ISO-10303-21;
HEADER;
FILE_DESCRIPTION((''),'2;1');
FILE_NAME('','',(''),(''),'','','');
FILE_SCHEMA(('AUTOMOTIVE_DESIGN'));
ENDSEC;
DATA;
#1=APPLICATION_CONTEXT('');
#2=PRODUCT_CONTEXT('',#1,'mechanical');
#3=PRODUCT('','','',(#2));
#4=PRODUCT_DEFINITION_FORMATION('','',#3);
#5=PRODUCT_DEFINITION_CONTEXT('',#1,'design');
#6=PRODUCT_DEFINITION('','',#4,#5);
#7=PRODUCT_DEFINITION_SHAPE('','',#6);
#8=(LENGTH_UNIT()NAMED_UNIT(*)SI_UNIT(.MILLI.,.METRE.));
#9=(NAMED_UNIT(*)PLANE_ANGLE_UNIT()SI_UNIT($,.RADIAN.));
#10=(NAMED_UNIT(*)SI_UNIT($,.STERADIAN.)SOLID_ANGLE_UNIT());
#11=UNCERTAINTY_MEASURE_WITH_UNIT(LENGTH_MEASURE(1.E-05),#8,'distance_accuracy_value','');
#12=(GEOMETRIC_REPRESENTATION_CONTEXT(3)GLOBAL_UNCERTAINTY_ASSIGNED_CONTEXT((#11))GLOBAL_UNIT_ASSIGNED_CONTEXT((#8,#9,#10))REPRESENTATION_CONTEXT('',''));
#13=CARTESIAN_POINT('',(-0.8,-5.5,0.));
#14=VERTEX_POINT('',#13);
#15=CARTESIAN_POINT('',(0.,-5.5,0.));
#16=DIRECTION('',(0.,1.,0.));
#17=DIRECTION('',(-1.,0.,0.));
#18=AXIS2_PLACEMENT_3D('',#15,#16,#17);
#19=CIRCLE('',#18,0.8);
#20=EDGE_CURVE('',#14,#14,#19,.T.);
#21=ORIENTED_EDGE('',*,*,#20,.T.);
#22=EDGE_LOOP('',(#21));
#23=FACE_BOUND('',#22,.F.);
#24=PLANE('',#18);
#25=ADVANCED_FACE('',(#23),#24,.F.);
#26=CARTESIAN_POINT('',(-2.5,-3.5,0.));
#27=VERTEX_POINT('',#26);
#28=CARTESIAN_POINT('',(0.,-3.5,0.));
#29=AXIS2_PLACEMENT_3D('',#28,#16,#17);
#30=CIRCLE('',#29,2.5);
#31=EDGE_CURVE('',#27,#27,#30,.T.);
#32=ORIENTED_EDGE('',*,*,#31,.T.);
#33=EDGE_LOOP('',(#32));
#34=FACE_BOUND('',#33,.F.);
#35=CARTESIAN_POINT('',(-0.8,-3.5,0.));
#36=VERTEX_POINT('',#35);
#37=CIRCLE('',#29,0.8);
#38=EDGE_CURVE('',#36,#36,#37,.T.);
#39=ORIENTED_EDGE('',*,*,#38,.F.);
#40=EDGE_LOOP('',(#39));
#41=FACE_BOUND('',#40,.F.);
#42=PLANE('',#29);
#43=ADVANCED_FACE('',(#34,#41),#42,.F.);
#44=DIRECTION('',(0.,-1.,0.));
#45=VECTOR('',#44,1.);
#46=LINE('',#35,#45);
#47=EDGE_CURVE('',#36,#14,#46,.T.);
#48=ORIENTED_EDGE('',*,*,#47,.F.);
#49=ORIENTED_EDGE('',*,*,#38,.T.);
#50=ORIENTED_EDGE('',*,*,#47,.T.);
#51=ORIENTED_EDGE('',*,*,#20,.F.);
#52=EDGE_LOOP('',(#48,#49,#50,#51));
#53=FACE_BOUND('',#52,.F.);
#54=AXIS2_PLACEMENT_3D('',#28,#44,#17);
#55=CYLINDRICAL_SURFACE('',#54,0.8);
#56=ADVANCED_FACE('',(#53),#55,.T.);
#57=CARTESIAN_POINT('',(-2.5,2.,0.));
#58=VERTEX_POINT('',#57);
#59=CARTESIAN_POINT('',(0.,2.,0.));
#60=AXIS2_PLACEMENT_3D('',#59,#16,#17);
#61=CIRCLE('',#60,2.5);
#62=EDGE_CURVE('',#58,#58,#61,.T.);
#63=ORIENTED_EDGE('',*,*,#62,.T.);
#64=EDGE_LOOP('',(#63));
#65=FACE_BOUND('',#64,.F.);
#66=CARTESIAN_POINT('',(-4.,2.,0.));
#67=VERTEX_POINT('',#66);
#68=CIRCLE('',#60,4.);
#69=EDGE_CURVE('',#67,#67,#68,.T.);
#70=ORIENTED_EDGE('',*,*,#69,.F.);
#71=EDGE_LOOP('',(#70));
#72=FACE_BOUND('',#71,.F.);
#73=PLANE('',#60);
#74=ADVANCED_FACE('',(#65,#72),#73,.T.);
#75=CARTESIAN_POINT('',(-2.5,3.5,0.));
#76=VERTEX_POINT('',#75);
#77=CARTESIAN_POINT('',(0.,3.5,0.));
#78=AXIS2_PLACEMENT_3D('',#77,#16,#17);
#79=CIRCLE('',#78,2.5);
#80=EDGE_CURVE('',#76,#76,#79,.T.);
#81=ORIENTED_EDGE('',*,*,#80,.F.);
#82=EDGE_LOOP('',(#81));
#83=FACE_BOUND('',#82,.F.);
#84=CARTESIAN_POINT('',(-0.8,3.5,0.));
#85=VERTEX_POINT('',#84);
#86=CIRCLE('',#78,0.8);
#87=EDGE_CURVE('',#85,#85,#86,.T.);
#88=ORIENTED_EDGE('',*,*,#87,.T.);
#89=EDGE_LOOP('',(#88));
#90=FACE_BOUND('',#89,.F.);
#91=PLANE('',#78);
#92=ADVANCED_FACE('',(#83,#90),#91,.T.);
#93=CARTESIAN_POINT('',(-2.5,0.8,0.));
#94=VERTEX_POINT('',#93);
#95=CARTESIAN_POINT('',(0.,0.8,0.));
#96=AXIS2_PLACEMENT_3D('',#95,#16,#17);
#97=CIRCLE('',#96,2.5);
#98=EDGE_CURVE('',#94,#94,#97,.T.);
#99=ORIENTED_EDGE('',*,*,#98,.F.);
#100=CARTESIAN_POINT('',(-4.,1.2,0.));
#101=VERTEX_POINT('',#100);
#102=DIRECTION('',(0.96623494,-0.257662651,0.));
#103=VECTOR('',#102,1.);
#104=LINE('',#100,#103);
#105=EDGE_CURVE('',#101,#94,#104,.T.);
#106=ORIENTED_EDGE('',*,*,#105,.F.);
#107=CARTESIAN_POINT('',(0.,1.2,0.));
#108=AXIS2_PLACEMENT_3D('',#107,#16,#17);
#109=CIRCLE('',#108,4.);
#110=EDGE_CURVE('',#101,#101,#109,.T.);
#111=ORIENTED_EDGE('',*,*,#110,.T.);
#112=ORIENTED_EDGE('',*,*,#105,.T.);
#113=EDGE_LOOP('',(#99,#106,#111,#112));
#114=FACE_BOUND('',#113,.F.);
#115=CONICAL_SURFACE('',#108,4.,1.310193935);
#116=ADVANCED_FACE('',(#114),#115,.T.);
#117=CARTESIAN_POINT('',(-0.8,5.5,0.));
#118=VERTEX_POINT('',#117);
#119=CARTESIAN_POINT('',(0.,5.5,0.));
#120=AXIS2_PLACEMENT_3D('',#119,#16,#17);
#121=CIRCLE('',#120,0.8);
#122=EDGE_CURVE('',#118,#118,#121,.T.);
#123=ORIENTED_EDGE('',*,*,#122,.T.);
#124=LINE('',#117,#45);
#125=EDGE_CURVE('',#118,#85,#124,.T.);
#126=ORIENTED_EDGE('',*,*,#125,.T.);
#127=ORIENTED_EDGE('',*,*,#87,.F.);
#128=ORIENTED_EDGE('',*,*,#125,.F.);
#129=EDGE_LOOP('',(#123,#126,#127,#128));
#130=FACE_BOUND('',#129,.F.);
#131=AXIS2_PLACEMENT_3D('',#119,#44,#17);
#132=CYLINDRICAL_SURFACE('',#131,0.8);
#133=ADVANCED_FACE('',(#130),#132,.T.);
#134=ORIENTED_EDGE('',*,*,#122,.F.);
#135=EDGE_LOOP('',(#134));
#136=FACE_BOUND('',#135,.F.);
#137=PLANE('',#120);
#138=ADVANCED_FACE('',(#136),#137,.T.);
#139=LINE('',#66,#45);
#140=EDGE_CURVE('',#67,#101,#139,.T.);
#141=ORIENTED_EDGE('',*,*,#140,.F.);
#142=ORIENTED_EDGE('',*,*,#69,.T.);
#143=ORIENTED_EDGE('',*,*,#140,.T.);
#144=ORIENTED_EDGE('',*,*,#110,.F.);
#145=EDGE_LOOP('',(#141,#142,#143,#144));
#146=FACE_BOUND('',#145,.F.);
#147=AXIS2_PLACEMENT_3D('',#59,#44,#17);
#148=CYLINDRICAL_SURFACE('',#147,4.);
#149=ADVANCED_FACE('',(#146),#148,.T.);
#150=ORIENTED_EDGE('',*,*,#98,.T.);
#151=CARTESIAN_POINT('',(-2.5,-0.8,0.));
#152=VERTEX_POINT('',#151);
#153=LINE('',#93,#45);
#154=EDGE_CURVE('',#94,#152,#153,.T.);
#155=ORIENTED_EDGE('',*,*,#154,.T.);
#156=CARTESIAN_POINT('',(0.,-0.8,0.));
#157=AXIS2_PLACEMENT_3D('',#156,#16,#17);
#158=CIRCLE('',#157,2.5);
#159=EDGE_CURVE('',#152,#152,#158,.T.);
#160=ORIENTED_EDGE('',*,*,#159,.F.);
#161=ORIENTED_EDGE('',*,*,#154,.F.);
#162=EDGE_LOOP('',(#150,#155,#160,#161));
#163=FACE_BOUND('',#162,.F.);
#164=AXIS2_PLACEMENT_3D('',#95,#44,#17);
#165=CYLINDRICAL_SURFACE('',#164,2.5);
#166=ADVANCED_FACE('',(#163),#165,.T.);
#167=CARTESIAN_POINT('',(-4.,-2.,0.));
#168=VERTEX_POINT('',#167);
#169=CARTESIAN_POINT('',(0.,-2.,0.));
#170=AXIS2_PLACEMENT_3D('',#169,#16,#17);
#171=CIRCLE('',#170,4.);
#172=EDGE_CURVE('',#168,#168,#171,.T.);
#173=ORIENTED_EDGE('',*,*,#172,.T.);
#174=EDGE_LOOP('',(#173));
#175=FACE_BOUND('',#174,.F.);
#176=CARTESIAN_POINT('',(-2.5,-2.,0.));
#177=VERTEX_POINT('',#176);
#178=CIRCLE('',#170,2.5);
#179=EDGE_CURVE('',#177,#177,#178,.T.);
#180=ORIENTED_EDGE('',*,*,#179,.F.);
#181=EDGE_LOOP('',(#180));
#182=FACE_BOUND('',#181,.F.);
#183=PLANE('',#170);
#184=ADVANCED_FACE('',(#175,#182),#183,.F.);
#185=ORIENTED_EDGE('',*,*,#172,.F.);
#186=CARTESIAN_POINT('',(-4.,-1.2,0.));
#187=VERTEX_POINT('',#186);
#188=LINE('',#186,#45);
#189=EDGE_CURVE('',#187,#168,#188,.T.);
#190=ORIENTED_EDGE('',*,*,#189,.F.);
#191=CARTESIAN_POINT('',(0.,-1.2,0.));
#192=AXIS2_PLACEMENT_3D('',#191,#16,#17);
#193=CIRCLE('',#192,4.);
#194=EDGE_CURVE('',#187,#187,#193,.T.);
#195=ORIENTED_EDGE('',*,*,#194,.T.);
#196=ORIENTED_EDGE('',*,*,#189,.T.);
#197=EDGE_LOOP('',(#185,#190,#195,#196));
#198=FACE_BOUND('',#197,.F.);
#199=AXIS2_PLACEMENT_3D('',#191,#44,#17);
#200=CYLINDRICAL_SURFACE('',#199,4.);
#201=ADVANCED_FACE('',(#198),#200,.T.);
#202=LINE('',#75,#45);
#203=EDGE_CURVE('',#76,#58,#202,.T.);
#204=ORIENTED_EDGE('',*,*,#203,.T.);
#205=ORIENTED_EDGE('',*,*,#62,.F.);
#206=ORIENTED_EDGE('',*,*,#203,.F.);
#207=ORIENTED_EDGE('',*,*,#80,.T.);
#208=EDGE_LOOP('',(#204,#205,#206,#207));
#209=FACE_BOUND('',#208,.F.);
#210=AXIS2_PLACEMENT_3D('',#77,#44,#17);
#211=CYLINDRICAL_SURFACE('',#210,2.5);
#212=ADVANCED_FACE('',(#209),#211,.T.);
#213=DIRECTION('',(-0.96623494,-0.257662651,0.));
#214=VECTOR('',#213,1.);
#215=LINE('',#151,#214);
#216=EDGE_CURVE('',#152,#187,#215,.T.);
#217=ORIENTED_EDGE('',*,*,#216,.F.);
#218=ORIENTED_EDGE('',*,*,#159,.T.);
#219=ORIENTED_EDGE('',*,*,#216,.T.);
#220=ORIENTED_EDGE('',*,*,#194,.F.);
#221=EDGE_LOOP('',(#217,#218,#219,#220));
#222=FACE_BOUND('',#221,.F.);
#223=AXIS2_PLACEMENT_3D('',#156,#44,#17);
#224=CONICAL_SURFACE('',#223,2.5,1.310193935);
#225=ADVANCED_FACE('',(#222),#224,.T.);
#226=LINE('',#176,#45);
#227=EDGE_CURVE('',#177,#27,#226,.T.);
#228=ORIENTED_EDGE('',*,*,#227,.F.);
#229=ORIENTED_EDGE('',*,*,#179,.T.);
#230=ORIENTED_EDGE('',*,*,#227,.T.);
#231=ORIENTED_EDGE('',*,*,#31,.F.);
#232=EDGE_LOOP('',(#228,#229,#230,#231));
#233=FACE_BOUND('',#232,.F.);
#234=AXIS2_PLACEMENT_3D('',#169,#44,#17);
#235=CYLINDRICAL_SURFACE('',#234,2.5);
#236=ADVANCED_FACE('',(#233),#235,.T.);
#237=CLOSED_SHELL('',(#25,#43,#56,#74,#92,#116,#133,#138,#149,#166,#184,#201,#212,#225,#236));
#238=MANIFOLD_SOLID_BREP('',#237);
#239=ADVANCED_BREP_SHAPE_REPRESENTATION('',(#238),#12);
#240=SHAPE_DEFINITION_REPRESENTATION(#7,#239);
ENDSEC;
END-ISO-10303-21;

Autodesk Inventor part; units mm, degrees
ref_plane "YZ Plane" through (0, 0, 0) normal (1, 0, 0) x (0, 1, 0)
ref_plane "XZ Plane" through (0, 0, 0) normal (0, 1, 0) x (-1, 0, 0)
ref_plane "XY Plane" through (0, 0, 0) normal (0, 0, 1) x (1, 0, 0)
sketch "Sketch1" plane through (0, 0, 0) normal (0, 0, 1) x (1, 0, 0)
  line L0 (0, -5.5) -> (0, 5.5)
  line L1 (0, 5.5) -> (-0.8, 5.5)
  line L2 (-0.8, 5.5) -> (-0.8, 3.5)
  line L3 (-0.8, 3.5) -> (-2.5, 3.5)
  line L4 (-2.5, 3.5) -> (-2.5, 2)
  line L5 (-2.5, 2) -> (-4, 2)
  line L6 (-4, 2) -> (-4, 1.2)
  line L7 (-4, 1.2) -> (-2.5, 0.8)
  line L8 (-2.5, 0.8) -> (-2.5, -0.8)
  line L9 (-2.5, -0.8) -> (-4, -1.2)
  line L10 (-4, -1.2) -> (-4, -2)
  line L11 (-4, -2) -> (-2.5, -2)
  line L12 (-2.5, -2) -> (-2.5, -3.5)
  line L13 (-2.5, -3.5) -> (-0.8, -3.5)
  line L14 (-0.8, -3.5) -> (-0.8, -5.5)
  line L15 (-0.8, -5.5) -> (0, -5.5)
  point P0 (0, 0)
  point P1 (0, 0)
  point P2 (-2.5, 0)
  dimension "d0" = 11
  dimension "d1" = 5
  dimension "d2" = 1.6
  dimension "d3" = 7
  dimension "d4" = 8
  dimension "d5" = 4
  dimension "d6" = 1.6
  dimension "d7" = 0.8
revolve "Revolution1" add sketch "Sketch1" angle 360 about axis through (0, -5.5, 0) along (0, 1, 0)
properties part number "3464" material "Steel"
